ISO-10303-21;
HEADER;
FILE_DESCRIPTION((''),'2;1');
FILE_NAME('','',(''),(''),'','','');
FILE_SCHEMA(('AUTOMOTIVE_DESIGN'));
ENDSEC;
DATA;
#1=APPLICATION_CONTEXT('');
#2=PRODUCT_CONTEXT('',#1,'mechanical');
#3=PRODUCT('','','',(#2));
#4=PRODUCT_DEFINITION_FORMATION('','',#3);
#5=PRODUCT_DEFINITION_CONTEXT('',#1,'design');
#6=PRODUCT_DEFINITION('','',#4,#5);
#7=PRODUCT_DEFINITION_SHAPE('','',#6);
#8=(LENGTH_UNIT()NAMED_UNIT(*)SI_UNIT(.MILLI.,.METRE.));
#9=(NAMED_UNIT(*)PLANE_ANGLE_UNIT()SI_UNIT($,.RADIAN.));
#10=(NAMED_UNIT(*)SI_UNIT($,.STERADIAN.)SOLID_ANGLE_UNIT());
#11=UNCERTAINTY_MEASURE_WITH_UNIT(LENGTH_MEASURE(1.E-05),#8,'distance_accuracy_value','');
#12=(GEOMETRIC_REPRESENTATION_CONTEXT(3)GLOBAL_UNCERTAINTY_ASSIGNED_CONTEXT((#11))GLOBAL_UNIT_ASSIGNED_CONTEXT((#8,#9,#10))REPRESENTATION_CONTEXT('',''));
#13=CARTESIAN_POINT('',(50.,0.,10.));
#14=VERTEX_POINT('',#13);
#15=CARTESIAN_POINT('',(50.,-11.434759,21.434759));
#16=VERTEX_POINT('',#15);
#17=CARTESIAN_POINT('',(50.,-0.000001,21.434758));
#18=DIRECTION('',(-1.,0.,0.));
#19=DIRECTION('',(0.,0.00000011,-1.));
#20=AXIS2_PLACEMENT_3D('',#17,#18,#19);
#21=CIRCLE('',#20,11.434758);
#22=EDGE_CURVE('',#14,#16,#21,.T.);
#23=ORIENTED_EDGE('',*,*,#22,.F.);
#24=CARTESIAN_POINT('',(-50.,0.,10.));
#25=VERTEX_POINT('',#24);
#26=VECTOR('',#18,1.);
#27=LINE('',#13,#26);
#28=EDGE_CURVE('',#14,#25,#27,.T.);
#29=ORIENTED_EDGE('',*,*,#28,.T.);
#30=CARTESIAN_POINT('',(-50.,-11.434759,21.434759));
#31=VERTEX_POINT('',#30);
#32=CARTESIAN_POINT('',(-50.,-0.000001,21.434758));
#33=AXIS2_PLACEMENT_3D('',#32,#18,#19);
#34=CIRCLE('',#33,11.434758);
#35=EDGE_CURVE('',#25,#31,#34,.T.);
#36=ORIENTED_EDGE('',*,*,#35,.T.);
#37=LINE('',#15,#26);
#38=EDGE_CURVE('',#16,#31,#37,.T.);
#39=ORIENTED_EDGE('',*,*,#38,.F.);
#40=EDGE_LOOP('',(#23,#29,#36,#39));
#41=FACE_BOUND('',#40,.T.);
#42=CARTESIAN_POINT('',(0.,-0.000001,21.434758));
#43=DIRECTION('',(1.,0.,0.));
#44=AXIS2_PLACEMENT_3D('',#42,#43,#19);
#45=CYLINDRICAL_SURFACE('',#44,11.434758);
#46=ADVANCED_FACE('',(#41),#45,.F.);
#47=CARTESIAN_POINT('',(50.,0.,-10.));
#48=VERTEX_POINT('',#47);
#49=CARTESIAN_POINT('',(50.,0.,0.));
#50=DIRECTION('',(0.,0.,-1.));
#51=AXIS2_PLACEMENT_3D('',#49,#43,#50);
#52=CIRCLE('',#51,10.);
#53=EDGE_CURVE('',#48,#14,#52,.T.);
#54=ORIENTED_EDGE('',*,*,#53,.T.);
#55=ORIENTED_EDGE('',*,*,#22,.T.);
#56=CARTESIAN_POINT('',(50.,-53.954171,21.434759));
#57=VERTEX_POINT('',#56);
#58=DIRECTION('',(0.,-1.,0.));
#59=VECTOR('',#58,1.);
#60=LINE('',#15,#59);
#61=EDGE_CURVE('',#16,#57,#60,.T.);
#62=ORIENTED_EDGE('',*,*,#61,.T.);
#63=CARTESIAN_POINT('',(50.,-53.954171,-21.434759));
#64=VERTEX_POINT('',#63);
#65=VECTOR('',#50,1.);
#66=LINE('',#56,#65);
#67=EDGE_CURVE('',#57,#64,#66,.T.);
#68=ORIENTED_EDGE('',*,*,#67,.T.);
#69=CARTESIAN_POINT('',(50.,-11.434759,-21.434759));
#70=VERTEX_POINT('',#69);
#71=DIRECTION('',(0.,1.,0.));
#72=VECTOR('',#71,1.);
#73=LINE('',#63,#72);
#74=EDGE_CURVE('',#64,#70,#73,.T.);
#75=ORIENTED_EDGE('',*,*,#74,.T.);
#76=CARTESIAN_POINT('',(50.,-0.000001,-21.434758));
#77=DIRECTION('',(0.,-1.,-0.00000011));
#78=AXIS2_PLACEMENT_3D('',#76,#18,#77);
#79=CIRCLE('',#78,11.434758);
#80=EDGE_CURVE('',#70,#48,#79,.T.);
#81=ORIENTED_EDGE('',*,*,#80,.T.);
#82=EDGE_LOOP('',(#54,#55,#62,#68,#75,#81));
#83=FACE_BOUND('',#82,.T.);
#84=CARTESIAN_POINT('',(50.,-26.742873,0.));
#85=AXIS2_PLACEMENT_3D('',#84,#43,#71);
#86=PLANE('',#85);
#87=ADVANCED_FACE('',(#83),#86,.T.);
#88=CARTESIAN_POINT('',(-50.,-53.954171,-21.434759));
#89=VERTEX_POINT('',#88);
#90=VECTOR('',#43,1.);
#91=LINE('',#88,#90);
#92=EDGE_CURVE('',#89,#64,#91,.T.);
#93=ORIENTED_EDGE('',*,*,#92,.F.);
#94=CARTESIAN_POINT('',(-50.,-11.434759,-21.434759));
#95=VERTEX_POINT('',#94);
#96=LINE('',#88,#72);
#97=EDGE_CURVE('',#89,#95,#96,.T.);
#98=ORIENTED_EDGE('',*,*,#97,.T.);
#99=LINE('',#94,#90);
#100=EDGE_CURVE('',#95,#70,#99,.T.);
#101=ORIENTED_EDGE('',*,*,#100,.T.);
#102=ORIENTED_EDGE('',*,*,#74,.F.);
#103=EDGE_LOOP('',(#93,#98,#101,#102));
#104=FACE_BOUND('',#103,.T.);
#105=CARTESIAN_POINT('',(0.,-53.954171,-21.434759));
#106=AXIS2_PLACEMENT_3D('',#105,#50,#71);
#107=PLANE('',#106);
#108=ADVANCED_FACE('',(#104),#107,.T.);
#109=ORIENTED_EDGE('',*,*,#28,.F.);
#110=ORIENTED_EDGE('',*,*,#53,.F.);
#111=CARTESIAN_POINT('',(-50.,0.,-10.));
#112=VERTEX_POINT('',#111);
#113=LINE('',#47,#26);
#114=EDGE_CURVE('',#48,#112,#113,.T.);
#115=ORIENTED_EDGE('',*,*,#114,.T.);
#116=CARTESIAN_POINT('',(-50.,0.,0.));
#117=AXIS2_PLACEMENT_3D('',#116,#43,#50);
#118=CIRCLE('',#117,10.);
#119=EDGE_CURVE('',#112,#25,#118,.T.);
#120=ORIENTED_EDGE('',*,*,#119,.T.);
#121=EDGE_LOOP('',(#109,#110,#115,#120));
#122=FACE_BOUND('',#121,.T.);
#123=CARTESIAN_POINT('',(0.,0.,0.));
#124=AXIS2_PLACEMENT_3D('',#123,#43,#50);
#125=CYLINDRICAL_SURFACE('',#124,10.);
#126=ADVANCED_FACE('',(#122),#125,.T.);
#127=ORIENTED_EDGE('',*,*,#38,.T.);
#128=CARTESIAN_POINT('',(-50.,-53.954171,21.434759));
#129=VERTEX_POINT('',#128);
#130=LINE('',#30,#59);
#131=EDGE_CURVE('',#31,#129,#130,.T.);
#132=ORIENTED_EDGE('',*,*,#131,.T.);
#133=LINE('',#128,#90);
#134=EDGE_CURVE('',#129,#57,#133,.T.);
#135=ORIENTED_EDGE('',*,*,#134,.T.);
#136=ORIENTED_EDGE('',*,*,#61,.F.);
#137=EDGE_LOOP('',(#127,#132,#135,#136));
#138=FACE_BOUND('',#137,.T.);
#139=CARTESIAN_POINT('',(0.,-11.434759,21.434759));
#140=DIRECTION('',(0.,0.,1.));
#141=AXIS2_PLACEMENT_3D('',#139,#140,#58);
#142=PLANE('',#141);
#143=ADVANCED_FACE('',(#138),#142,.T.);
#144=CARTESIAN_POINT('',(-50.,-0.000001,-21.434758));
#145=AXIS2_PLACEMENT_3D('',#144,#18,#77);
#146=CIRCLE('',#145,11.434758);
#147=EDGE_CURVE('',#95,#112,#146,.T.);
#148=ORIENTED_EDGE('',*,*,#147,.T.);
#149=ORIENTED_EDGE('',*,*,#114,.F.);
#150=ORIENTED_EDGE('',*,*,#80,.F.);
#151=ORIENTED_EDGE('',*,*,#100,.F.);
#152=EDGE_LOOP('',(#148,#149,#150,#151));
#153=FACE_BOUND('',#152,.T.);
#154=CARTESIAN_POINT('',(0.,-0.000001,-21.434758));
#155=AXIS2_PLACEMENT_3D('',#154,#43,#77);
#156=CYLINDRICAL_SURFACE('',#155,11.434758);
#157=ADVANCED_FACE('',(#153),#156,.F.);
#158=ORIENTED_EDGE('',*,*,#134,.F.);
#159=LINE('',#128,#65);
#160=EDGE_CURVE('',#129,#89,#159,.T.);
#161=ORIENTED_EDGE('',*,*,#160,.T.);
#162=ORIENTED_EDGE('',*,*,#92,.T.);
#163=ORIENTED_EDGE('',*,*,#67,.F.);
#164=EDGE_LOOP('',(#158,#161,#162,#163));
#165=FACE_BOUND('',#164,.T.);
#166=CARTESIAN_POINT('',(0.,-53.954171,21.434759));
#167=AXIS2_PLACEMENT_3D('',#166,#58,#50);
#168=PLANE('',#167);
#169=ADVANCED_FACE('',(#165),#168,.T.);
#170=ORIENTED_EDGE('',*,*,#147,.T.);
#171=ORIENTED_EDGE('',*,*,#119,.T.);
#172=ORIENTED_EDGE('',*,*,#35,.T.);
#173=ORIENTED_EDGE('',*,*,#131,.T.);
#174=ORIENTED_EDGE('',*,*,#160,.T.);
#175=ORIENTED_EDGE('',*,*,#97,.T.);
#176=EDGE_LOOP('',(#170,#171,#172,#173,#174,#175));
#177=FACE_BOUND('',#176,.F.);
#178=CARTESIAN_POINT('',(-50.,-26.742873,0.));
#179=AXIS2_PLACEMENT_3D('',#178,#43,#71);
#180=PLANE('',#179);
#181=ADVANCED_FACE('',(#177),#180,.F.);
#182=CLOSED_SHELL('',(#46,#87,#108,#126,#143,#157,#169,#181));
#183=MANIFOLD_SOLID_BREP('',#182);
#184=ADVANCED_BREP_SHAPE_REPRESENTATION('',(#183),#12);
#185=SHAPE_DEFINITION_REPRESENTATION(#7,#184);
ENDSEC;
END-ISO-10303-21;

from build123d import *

# Parameters (mm, degrees)
F1_DEPTH = 50


with BuildPart() as f1:
    # F0 (on Right) → F1 (new body, symmetric)
    with BuildSketch(Plane.YZ):
        with BuildLine():
            Line((-11.434759, 21.434759), (-53.954171, 21.434759))
            Line((-53.954171, 21.434759), (-53.954171, -21.434759))
            Line((-53.954171, -21.434759), (-11.434759, -21.434759))
            ThreePointArc((-11.434759, -21.434759), (-8.085596, -13.349163), (0, -10))
            ThreePointArc((0, -10), (10, 0), (0, 10))
            ThreePointArc((0, 10), (-8.085596, 13.349163), (-11.434759, 21.434759))
        make_face()
    extrude(amount=F1_DEPTH, both=True)


solid = f1.part
